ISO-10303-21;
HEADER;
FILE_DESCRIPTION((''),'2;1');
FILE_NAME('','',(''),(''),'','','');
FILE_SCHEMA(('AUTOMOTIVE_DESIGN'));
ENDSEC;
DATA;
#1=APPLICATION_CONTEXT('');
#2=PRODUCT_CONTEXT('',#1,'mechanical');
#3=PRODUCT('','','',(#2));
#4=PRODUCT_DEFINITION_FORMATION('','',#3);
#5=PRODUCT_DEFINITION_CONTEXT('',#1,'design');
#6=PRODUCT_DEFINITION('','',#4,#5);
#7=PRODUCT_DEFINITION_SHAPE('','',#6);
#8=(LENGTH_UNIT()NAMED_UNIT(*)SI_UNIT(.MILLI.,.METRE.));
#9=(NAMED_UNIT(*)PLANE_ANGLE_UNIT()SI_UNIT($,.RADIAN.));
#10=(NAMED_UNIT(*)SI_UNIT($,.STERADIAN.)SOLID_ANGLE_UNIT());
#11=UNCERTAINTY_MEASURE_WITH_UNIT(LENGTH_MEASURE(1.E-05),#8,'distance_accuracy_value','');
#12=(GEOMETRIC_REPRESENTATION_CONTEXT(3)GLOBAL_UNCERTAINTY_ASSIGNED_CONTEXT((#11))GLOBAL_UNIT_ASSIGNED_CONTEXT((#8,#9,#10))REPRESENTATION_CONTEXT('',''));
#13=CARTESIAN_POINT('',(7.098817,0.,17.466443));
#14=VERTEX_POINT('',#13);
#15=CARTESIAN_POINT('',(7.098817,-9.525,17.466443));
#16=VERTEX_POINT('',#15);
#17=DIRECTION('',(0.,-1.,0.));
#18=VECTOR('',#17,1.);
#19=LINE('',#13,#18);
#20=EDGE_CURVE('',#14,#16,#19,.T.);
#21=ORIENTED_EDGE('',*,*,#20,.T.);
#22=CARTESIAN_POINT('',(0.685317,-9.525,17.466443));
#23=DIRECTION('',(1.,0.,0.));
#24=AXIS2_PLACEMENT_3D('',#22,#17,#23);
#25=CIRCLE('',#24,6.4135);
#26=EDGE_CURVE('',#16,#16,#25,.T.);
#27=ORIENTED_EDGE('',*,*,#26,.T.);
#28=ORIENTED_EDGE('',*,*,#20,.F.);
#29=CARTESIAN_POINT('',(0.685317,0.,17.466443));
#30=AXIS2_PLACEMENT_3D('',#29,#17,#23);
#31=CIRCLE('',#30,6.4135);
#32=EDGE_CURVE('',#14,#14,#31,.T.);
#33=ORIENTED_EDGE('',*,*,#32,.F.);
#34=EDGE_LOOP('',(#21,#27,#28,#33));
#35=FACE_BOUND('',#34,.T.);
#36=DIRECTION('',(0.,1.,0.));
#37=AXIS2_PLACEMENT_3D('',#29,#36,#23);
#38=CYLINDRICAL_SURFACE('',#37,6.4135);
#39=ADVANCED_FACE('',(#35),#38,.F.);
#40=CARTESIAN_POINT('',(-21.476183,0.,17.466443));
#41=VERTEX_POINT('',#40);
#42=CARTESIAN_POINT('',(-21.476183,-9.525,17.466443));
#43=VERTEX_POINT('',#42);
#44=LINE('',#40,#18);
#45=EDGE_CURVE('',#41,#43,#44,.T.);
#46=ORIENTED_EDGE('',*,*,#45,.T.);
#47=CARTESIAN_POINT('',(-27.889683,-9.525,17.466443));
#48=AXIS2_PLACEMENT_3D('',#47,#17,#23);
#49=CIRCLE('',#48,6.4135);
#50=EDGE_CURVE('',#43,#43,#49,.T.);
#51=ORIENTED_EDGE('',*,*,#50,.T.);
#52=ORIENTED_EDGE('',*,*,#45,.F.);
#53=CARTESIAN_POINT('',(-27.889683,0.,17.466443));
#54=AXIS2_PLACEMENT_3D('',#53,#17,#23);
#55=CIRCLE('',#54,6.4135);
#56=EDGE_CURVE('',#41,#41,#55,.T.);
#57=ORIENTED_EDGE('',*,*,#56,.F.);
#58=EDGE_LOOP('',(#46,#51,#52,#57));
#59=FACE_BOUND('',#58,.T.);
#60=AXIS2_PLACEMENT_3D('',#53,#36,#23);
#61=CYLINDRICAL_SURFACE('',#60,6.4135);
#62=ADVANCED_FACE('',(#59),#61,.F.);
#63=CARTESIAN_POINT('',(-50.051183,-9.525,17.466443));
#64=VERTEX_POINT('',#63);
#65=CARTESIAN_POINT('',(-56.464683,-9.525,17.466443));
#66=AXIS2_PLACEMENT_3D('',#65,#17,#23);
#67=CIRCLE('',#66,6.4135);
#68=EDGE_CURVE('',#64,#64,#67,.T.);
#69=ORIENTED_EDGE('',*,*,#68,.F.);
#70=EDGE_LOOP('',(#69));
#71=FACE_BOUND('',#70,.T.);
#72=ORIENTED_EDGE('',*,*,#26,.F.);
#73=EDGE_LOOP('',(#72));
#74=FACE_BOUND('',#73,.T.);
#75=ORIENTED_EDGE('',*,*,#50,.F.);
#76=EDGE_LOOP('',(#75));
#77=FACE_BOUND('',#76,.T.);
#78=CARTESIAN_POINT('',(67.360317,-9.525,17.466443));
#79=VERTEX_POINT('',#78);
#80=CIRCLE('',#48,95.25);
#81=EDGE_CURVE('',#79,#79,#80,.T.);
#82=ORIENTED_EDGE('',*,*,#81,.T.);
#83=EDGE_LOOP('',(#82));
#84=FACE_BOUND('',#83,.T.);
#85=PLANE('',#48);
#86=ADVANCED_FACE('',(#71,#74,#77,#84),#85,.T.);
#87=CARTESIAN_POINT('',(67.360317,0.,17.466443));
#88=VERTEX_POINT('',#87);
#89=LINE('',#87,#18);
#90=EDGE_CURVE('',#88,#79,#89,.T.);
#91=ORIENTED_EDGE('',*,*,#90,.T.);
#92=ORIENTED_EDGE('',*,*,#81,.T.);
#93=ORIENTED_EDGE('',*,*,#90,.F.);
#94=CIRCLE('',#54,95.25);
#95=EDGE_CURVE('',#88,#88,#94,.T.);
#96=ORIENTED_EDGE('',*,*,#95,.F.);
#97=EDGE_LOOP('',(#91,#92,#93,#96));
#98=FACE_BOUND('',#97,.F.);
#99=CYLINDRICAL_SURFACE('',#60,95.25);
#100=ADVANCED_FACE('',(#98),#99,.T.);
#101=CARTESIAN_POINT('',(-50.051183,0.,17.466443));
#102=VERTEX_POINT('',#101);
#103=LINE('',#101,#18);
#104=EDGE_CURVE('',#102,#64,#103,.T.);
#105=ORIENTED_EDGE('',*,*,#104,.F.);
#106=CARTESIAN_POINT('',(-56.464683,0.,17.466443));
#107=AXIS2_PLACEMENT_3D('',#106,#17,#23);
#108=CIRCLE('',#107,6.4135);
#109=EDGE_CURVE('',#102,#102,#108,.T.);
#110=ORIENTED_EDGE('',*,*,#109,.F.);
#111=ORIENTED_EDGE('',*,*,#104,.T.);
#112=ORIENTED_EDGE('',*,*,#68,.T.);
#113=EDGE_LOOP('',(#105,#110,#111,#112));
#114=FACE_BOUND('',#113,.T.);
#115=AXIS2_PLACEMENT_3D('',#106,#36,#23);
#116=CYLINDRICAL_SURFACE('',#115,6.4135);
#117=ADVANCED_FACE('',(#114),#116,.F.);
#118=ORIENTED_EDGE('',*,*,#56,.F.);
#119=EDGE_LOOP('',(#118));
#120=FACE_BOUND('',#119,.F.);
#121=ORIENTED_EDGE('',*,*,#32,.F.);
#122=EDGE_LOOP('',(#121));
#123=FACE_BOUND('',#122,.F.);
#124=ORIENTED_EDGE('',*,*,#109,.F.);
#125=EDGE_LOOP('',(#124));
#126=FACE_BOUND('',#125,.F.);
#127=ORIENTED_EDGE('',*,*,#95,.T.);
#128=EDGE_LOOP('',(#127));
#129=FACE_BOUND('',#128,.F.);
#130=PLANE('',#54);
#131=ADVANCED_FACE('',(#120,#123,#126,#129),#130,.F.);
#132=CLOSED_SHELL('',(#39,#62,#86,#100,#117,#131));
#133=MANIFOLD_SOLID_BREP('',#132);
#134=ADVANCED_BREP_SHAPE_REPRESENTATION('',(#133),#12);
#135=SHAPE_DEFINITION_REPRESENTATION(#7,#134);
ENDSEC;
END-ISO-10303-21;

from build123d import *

# Parameters (mm, degrees)
F0_R     = 95.25
F0_R_2   = 6.4135
F1_DEPTH = 9.525


with BuildPart() as f1:
    # F0 (on Front) → F1 (new body)
    with BuildSketch(Plane.XZ):
        with Locations((-27.889683, 17.466443)):
            Circle(F0_R)
        with Locations((-56.464683, 17.466443)):
            Circle(F0_R_2, mode=Mode.SUBTRACT)
        with Locations((-27.889683, 17.466443)):
            Circle(F0_R_2, mode=Mode.SUBTRACT)
        with Locations((0.685317, 17.466443)):
            Circle(F0_R_2, mode=Mode.SUBTRACT)
    extrude(amount=F1_DEPTH)


solid = f1.part
